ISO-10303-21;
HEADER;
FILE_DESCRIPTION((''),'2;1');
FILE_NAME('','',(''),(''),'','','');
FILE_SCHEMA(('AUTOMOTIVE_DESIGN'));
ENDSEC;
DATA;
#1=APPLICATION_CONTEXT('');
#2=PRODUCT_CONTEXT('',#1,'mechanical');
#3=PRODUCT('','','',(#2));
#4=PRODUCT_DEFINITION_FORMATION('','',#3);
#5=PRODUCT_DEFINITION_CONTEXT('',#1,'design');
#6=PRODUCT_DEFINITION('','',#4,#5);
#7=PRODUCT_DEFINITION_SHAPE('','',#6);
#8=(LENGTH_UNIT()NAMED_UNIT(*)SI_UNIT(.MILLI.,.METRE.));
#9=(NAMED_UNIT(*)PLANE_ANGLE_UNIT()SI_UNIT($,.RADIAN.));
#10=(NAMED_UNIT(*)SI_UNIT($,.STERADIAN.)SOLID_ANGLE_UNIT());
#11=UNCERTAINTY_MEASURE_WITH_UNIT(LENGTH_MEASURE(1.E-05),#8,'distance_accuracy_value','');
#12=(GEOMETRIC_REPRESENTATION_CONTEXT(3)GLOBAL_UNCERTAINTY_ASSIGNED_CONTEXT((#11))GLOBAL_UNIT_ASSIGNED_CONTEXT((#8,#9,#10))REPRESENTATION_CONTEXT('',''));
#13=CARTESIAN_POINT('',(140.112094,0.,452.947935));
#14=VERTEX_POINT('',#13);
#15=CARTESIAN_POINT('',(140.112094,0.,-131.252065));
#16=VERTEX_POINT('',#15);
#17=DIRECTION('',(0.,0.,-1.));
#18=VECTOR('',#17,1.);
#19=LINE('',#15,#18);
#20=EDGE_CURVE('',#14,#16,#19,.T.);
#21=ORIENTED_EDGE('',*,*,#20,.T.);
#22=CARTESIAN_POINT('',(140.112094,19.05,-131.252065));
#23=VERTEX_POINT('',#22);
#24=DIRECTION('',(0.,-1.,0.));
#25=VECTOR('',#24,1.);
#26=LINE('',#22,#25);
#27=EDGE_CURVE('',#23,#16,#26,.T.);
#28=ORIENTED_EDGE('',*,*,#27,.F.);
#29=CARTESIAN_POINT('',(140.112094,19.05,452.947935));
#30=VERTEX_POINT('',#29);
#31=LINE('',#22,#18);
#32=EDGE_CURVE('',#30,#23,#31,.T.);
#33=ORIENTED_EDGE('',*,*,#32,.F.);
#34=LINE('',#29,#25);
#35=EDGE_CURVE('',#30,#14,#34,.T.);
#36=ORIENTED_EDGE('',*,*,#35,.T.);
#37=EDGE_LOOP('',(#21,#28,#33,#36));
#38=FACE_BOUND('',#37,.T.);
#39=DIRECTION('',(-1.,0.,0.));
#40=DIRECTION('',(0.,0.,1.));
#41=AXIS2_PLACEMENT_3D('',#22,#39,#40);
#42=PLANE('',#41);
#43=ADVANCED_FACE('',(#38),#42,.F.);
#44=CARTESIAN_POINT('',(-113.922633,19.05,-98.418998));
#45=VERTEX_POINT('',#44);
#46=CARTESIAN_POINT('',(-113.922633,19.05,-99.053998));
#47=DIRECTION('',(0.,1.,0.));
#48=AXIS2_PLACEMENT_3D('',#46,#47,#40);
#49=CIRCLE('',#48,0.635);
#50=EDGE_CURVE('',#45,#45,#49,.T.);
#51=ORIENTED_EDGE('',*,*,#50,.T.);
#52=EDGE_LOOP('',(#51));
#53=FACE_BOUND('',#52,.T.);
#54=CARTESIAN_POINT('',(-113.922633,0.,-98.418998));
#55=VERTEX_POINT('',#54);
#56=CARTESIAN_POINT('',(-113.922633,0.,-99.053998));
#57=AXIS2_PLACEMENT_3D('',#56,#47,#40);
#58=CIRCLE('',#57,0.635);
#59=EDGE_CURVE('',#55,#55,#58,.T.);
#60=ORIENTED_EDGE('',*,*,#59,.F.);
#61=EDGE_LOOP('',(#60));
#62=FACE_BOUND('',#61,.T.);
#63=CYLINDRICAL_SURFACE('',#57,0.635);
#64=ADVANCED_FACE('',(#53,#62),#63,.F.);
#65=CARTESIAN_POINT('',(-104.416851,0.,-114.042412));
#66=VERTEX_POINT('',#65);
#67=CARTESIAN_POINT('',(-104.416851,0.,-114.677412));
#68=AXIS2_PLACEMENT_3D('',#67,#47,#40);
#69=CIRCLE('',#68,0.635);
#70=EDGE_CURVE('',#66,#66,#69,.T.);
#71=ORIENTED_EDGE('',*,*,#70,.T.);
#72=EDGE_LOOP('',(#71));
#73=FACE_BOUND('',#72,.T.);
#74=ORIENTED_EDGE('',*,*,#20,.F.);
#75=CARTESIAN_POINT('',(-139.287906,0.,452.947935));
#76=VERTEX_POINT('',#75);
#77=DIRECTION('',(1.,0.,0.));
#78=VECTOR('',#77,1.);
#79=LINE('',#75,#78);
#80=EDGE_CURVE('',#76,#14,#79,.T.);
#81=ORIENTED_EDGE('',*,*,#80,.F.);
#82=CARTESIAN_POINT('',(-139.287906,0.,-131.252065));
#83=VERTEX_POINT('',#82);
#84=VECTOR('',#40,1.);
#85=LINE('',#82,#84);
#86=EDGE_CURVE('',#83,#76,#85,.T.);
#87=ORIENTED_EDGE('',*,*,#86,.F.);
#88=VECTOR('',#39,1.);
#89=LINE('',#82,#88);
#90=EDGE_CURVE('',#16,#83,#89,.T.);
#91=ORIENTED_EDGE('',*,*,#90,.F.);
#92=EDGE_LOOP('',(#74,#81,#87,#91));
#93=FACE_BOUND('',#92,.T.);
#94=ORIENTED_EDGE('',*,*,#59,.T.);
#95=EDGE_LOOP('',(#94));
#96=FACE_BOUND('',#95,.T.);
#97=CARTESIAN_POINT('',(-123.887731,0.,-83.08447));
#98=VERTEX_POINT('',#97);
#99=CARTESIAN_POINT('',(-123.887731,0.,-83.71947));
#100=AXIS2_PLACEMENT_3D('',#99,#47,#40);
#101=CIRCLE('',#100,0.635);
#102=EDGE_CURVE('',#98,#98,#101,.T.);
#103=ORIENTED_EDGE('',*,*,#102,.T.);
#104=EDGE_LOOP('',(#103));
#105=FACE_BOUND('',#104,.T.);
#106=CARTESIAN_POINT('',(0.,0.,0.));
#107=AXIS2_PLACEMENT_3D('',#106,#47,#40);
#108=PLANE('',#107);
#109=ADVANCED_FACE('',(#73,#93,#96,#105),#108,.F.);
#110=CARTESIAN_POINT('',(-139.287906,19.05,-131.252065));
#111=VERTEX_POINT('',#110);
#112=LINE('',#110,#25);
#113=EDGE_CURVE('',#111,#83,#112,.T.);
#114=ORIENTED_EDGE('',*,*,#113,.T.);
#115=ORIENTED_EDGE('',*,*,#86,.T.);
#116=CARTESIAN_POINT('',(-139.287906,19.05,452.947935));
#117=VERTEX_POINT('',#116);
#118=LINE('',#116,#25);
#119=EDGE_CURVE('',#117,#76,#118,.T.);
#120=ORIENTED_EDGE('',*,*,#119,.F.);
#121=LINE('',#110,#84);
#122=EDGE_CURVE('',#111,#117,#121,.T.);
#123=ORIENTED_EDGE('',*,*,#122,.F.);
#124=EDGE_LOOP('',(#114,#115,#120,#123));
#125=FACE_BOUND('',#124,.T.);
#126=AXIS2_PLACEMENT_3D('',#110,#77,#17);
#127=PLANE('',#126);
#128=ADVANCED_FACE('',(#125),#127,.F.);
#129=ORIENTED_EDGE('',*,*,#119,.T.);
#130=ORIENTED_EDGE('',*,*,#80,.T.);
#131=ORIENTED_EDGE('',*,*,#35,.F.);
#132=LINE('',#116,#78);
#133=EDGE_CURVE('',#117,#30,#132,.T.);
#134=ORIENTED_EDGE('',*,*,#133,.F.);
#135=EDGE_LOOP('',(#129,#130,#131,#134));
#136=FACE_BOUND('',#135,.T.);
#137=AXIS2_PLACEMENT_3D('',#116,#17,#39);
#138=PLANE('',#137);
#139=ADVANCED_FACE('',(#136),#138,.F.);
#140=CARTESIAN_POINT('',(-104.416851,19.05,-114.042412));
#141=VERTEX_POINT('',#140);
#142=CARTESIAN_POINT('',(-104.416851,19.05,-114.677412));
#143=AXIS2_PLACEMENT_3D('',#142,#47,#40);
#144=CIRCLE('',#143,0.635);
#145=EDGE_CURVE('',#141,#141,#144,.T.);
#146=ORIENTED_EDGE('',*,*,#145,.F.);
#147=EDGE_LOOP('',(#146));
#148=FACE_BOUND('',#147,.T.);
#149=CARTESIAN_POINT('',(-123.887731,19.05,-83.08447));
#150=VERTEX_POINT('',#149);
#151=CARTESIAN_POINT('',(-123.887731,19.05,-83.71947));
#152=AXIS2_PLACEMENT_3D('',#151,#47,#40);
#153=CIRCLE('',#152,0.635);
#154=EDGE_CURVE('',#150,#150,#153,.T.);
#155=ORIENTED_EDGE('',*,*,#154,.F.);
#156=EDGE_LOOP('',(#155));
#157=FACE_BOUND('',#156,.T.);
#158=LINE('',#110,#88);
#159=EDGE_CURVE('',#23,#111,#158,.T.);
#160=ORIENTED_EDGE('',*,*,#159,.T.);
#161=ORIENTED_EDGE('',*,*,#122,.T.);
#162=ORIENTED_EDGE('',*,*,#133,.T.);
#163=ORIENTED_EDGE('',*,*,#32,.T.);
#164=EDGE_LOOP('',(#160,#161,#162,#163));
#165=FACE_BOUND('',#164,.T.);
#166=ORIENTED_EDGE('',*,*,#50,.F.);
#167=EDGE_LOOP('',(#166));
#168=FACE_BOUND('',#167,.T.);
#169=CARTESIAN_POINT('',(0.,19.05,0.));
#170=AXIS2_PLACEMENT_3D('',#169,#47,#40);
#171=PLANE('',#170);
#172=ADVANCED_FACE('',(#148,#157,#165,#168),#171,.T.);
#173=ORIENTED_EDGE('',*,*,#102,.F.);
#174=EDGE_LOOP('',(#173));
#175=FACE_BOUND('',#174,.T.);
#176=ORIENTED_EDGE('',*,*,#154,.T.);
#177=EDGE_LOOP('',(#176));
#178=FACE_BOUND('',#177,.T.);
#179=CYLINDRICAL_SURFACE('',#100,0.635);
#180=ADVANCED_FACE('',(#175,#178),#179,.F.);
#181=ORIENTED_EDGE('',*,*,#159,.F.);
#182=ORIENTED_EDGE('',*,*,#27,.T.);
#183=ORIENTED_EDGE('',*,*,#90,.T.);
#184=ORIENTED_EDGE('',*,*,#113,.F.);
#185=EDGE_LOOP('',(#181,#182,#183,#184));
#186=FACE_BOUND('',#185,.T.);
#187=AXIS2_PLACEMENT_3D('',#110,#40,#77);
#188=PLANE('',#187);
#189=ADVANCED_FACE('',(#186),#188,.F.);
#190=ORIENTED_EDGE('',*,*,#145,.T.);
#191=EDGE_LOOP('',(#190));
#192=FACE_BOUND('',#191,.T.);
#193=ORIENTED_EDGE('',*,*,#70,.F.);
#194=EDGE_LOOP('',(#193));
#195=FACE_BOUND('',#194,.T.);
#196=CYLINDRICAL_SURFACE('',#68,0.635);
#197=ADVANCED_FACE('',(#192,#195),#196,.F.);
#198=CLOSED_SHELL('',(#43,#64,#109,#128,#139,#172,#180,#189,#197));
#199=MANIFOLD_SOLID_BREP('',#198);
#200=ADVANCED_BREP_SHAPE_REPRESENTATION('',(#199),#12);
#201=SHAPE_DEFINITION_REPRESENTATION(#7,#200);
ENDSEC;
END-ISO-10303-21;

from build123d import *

# Parameters (mm, degrees)
SKETCH1_W               = 279.4
SKETCH1_H               = 584.2
BOSS_EXTRUDE1_DEPTH     = 19.05
CUT_EXTRUDE1_DEPTH      = 475.506199549
CUT_EXTRUDE1_DEPTH_BACK = 475.506199549
SKETCH2_R               = 0.635


with BuildPart() as part:
    # Sketch1 → Boss-Extrude1 (new body)
    with BuildSketch(Plane(origin=(0, 0, 0), x_dir=(1, 0, 0), z_dir=(0, 1, 0))):
        with Locations((0.412094395, -160.847935103)):
            Rectangle(SKETCH1_W, SKETCH1_H)
    extrude(amount=BOSS_EXTRUDE1_DEPTH)

    # Sketch2 → Cut-Extrude1 (cut, two sides: drawn at the far end of the back side and taken through both)
    with BuildSketch(Plane(origin=(0, 19.05, 0), x_dir=(1, 0, 0), z_dir=(0, 1, 0)).offset(-CUT_EXTRUDE1_DEPTH_BACK)):
        with Locations(Location((-113.922633314, 99.053998407, 0), (0, 0, 270))):
            Circle(SKETCH2_R)
        with Locations(Location((-104.416850901, 114.677411757, 0), (0, 0, 270))):
            Circle(SKETCH2_R)
        with Locations(Location((-123.887731018, 83.719469664, 0), (0, 0, 270))):
            Circle(SKETCH2_R)
    extrude(amount=CUT_EXTRUDE1_DEPTH + CUT_EXTRUDE1_DEPTH_BACK, mode=Mode.SUBTRACT)


solid = part.part
